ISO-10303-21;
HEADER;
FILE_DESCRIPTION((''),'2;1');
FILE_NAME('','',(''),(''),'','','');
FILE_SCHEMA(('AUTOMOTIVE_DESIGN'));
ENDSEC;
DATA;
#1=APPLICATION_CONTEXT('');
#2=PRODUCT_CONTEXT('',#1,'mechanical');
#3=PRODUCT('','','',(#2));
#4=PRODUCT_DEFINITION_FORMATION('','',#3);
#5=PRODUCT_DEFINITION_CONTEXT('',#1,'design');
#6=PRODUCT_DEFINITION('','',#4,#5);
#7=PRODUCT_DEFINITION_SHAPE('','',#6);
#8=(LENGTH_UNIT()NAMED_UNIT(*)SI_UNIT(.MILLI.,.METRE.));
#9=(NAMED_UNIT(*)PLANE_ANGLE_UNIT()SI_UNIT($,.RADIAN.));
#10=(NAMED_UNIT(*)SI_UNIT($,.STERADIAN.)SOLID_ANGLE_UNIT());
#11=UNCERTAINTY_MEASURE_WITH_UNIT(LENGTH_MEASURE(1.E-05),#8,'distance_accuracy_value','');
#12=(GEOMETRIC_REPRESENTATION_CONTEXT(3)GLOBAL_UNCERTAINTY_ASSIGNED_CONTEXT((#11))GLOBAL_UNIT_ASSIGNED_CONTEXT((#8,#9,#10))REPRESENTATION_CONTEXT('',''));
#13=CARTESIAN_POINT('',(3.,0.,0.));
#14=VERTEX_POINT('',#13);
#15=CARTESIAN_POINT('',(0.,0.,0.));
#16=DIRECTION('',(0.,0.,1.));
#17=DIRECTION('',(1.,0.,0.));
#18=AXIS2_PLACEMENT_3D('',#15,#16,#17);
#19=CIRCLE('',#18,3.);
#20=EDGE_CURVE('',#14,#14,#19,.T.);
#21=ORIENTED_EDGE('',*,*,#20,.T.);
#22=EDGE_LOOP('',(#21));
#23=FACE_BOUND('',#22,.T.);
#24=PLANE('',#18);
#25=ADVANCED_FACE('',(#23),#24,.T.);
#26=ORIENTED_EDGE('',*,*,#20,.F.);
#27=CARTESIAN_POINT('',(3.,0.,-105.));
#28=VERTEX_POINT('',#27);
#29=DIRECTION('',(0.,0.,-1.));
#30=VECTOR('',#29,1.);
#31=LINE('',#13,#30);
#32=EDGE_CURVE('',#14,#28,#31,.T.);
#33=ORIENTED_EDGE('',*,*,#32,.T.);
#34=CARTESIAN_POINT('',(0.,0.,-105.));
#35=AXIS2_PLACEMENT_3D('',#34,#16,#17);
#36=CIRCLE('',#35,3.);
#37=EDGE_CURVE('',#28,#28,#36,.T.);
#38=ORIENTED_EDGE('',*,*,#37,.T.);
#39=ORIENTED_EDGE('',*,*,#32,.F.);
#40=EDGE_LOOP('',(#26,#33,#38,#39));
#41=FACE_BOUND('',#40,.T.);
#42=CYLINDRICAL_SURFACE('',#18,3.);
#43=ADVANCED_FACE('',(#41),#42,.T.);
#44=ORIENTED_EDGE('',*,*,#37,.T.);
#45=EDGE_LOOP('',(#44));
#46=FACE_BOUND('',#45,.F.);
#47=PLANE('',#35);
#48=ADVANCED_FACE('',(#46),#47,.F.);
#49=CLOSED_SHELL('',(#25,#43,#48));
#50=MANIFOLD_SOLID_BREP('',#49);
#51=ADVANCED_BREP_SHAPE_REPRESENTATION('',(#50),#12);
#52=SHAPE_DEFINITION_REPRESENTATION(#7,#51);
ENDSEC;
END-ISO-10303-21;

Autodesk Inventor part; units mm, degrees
ref_plane "YZ Plane" through (0, 0, 0) normal (1, 0, 0) x (0, 1, 0)
ref_plane "XZ Plane" through (0, 0, 0) normal (0, 1, 0) x (-1, 0, 0)
ref_plane "XY Plane" through (0, 0, 0) normal (0, 0, 1) x (1, 0, 0)
sketch "スケッチ1" plane through (0, 0, 0) normal (0, 0, 1) x (1, 0, 0)
  circle A0 centre (0, 0) radius 3
  dimension "d0" = 6
extrude "押し出し1" add sketch "スケッチ1" against normal blind 105
properties part number "中軸" material "アルミニウム 6061"
